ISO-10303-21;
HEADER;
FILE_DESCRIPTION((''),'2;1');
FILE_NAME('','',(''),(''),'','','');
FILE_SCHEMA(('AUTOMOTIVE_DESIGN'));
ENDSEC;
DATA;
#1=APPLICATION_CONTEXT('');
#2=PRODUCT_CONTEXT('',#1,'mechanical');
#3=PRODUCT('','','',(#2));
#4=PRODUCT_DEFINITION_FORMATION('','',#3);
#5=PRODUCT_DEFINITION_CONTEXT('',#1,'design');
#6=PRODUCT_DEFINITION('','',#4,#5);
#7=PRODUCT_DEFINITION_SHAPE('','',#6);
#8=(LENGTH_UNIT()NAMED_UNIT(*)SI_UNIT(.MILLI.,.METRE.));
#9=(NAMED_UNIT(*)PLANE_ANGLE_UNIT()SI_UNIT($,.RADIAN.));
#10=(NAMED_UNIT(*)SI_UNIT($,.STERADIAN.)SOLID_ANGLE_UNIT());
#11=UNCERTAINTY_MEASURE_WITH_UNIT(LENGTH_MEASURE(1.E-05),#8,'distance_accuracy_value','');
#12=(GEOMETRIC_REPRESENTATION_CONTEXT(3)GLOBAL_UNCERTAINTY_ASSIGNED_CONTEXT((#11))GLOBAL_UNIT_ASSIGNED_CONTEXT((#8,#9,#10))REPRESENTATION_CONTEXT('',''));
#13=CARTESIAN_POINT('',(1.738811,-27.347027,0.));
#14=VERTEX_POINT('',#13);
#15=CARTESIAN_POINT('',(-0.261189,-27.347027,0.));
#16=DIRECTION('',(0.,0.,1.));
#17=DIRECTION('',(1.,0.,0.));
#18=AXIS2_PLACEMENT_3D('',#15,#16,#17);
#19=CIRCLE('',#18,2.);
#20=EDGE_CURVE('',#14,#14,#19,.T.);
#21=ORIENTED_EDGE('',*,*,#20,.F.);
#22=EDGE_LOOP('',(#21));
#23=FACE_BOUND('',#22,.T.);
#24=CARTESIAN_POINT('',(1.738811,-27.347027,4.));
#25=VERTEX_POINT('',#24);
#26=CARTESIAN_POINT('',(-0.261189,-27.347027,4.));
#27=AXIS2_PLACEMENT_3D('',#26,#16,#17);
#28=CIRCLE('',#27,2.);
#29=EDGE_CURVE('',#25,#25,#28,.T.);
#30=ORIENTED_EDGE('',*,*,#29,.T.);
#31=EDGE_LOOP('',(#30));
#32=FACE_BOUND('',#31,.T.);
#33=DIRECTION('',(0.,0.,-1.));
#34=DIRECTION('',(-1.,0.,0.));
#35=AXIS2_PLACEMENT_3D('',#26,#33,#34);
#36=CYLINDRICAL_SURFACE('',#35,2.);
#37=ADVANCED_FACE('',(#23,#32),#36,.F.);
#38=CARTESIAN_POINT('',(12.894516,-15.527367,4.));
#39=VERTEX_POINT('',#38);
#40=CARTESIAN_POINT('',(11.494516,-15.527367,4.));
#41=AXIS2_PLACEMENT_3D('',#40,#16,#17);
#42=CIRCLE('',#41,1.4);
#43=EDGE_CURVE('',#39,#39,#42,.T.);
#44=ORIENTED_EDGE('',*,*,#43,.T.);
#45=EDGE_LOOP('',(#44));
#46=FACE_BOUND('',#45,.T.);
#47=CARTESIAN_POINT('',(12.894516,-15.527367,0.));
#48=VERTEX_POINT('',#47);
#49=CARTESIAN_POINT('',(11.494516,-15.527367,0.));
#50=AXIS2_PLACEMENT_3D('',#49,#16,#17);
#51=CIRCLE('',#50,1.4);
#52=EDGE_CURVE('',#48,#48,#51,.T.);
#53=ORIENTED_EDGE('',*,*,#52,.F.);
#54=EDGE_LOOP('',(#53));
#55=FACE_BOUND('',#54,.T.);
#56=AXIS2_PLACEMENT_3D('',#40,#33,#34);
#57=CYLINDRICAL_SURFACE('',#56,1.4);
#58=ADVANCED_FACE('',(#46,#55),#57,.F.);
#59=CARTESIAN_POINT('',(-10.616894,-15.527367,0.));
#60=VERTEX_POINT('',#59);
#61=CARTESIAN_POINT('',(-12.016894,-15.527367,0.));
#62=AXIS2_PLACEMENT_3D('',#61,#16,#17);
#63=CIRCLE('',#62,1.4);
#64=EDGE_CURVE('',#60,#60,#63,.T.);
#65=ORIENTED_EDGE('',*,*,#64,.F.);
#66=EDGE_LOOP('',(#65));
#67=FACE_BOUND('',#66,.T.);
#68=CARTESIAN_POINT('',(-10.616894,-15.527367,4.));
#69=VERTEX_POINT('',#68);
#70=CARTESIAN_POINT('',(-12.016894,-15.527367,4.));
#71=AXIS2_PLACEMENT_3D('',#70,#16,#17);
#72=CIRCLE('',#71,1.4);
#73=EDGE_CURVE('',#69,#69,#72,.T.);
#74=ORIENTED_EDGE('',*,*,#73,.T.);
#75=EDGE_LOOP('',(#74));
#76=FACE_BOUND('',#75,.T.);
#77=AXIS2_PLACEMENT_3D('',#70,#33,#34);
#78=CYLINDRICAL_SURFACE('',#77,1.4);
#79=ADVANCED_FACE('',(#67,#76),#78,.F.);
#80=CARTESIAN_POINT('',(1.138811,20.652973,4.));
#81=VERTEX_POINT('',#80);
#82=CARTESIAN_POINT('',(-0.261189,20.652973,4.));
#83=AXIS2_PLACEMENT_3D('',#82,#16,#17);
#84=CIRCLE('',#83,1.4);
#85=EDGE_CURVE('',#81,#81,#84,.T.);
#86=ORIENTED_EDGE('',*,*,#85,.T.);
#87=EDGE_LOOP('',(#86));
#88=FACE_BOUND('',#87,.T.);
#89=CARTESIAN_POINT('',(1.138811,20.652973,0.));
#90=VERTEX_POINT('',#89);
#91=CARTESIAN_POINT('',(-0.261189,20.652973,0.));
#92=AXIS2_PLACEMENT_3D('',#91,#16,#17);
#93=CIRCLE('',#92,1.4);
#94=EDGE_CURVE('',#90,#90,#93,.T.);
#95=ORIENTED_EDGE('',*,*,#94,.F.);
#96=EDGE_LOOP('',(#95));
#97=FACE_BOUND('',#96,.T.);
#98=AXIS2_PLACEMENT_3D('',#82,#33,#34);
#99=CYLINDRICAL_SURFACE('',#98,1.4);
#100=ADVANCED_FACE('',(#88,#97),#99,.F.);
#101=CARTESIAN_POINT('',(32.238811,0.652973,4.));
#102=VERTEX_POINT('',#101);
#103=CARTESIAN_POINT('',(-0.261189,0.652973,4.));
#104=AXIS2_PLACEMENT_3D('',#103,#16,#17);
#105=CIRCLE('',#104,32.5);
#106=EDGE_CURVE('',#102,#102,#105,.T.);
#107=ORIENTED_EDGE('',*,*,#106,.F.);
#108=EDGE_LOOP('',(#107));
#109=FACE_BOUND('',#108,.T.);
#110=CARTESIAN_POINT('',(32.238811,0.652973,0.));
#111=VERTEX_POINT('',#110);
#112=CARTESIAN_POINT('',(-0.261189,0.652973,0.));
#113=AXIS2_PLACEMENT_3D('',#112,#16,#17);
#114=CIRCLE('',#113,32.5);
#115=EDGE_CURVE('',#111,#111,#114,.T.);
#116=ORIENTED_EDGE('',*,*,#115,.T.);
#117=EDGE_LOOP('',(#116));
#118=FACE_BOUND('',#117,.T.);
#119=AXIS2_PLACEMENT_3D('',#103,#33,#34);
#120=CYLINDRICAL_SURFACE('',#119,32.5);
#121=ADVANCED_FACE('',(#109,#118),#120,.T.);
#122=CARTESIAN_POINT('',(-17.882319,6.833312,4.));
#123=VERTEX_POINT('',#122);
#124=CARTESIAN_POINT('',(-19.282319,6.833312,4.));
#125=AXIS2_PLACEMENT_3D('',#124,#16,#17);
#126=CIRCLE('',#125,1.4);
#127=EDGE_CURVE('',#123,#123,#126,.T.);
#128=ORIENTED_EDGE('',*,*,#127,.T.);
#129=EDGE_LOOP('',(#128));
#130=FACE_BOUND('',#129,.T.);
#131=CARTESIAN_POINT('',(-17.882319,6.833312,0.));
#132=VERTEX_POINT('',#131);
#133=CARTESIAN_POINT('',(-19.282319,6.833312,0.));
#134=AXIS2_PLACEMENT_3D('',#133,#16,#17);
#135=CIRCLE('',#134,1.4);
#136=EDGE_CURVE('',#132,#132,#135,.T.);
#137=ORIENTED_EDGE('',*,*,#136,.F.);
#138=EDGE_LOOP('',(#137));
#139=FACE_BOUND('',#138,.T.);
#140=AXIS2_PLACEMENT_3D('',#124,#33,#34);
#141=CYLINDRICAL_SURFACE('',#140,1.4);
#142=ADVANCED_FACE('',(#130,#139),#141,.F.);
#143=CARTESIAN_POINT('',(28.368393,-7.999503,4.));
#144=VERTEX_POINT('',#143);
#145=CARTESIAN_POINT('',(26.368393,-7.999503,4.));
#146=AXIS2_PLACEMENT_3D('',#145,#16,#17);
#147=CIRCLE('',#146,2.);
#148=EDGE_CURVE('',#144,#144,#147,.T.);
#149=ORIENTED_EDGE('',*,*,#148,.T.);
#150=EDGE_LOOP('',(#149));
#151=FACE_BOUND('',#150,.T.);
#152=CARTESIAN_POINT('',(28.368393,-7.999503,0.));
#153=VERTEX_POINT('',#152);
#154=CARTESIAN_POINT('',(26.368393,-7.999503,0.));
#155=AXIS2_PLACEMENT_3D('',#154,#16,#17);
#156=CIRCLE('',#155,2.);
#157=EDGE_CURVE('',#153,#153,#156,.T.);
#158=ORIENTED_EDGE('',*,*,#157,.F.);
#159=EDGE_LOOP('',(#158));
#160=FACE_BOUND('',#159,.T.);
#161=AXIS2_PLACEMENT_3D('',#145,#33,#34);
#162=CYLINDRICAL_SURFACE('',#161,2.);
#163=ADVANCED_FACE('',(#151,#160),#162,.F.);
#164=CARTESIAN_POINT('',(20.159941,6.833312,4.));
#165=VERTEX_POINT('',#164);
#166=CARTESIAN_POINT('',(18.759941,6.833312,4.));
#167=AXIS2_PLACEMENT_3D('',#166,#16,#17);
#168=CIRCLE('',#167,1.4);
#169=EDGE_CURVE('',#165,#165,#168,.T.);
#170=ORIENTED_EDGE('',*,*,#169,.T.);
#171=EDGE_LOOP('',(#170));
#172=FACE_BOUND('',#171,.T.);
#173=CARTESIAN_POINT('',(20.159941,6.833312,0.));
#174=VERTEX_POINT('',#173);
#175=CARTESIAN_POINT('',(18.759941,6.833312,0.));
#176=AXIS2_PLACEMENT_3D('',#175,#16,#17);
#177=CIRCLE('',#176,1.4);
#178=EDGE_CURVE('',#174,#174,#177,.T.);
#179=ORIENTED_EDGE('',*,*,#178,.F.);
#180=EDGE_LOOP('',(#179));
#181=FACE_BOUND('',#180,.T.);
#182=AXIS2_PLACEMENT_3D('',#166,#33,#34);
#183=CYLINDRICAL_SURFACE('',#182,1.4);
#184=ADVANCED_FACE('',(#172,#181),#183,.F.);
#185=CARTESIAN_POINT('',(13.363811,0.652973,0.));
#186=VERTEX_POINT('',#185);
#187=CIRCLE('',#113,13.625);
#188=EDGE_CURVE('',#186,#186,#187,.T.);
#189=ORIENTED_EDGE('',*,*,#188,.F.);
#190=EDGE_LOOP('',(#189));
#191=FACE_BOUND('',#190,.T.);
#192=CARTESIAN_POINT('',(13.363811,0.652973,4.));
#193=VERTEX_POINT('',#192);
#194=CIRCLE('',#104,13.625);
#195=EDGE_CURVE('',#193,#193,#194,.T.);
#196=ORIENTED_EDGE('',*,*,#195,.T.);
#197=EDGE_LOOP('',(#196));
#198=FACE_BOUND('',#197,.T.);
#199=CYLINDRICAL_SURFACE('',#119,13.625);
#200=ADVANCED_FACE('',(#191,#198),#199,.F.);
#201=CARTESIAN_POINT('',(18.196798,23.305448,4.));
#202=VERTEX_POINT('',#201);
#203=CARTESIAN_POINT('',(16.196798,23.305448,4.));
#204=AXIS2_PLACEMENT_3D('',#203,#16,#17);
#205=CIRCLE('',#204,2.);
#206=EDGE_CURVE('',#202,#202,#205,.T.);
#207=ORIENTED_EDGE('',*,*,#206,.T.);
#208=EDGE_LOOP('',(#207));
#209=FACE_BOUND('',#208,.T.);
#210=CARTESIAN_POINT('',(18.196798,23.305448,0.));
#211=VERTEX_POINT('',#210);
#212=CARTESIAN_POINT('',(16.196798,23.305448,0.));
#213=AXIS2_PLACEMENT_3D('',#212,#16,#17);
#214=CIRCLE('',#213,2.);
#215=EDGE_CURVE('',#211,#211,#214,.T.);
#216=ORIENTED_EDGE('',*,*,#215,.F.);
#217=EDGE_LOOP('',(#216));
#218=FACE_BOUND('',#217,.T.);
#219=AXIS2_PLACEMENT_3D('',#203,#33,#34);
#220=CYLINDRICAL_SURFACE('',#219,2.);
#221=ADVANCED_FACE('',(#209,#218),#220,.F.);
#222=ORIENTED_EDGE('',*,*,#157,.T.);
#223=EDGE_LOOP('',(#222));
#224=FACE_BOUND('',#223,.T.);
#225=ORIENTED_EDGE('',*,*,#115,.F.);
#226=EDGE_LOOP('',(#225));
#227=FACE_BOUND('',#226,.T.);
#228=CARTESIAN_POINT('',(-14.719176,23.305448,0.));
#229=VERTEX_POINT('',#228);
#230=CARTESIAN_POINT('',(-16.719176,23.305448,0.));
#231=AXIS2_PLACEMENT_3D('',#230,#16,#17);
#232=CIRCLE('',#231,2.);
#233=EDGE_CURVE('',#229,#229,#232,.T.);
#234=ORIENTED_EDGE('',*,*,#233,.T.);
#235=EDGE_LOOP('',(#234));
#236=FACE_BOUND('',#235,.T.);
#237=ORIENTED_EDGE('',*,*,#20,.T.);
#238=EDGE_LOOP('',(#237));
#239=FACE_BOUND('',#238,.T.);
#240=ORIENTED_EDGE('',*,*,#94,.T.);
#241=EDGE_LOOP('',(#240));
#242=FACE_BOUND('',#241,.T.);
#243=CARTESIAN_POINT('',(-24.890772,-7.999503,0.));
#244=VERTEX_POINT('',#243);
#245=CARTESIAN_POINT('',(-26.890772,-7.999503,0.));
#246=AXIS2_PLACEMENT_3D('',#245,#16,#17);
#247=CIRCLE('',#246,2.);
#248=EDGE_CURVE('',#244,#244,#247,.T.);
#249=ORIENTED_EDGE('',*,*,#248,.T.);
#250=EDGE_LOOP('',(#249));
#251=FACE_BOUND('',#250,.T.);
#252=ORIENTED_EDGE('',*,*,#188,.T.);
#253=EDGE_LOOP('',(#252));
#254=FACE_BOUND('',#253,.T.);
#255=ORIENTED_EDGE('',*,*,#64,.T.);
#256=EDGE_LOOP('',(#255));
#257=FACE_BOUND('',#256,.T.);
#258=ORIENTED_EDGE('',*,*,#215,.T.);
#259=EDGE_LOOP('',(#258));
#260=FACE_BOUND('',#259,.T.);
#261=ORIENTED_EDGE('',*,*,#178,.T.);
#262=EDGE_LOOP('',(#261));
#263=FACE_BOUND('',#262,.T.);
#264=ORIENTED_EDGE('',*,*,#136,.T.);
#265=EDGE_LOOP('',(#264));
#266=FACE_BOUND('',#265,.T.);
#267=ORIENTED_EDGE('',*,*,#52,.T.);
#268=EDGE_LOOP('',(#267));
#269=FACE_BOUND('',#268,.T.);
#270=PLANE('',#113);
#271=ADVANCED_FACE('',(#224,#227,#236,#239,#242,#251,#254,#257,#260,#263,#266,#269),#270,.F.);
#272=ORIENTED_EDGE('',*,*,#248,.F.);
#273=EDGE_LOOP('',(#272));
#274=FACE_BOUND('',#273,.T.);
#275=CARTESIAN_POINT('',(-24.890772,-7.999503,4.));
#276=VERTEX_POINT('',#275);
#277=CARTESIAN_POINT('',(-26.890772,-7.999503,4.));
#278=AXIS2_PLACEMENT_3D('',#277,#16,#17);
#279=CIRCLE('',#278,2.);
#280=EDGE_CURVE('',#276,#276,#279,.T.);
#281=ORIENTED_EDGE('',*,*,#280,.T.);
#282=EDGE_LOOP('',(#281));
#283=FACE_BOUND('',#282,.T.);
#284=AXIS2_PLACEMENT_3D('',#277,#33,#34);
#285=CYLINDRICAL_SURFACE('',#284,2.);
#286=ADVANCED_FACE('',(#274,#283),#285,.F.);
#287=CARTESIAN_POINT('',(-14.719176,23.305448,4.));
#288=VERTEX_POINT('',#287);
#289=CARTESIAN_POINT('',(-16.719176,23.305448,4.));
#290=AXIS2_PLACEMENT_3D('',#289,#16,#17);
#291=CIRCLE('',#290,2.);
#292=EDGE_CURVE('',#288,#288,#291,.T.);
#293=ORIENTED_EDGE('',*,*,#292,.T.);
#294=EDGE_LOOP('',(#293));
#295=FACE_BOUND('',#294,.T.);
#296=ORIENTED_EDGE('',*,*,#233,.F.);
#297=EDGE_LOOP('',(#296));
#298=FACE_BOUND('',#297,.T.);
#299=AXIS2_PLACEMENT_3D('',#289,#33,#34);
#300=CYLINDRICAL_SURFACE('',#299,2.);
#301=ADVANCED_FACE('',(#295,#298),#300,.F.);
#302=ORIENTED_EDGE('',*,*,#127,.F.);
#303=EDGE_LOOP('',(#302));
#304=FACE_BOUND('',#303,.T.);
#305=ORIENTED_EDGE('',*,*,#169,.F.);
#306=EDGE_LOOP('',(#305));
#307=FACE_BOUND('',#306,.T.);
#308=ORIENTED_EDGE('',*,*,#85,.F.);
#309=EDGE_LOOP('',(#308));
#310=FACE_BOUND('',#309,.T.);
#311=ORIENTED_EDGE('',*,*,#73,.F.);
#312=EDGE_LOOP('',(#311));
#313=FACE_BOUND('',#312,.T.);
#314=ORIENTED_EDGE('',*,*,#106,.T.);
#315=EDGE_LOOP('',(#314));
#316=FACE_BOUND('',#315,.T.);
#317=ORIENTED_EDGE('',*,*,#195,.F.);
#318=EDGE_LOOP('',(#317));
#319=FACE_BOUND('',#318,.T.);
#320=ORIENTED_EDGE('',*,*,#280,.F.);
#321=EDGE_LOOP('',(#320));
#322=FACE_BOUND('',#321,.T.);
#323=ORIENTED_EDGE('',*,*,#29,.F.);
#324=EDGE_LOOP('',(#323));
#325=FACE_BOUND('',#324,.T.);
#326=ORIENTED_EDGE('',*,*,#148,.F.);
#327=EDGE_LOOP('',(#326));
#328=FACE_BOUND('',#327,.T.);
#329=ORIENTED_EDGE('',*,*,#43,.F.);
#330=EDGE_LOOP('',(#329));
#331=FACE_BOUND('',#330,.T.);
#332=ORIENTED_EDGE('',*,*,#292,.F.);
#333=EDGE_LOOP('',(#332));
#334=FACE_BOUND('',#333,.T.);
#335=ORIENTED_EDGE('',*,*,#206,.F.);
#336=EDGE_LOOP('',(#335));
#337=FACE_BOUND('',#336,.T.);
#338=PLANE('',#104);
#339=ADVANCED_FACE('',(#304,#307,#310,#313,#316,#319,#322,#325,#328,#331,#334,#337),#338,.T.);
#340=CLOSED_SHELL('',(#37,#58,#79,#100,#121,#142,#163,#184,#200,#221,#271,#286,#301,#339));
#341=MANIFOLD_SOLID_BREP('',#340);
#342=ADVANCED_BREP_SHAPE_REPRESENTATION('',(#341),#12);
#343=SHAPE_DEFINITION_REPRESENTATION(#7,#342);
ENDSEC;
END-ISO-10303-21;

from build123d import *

# Parameters (mm, degrees)
SKETCH_1_R      = 32.5
SKETCH_1_R_2    = 13.625
SKETCH_1_R_3    = 2
SKETCH_1_R_4    = 1.4
EXTRUDE_1_DEPTH = 4


with BuildPart() as part:
    # 草图1 → 凸台-拉伸1 (new body)
    with BuildSketch(Plane.XY):
        with Locations((-0.261189045, 0.652972612)):
            Circle(SKETCH_1_R)
        with Locations((-0.261189045, 0.652972612)):
            Circle(SKETCH_1_R_2, mode=Mode.SUBTRACT)
        with Locations((-0.261189045, -27.347027388)):
            Circle(SKETCH_1_R_3, mode=Mode.SUBTRACT)
        with Locations((-26.890771501, -7.999503231)):
            Circle(SKETCH_1_R_3, mode=Mode.SUBTRACT)
        with Locations((-16.719176109, 23.305448454)):
            Circle(SKETCH_1_R_3, mode=Mode.SUBTRACT)
        with Locations((16.196798019, 23.305448454)):
            Circle(SKETCH_1_R_3, mode=Mode.SUBTRACT)
        with Locations((26.368393412, -7.999503231)):
            Circle(SKETCH_1_R_3, mode=Mode.SUBTRACT)
        with Locations((-12.016894091, -15.527367276)):
            Circle(SKETCH_1_R_4, mode=Mode.SUBTRACT)
        with Locations((-19.282319371, 6.833312499)):
            Circle(SKETCH_1_R_4, mode=Mode.SUBTRACT)
        with Locations((-0.261189045, 20.652972612)):
            Circle(SKETCH_1_R_4, mode=Mode.SUBTRACT)
        with Locations((18.759941281, 6.833312499)):
            Circle(SKETCH_1_R_4, mode=Mode.SUBTRACT)
        with Locations((11.494516001, -15.527367276)):
            Circle(SKETCH_1_R_4, mode=Mode.SUBTRACT)
    extrude(amount=EXTRUDE_1_DEPTH)


solid = part.part
